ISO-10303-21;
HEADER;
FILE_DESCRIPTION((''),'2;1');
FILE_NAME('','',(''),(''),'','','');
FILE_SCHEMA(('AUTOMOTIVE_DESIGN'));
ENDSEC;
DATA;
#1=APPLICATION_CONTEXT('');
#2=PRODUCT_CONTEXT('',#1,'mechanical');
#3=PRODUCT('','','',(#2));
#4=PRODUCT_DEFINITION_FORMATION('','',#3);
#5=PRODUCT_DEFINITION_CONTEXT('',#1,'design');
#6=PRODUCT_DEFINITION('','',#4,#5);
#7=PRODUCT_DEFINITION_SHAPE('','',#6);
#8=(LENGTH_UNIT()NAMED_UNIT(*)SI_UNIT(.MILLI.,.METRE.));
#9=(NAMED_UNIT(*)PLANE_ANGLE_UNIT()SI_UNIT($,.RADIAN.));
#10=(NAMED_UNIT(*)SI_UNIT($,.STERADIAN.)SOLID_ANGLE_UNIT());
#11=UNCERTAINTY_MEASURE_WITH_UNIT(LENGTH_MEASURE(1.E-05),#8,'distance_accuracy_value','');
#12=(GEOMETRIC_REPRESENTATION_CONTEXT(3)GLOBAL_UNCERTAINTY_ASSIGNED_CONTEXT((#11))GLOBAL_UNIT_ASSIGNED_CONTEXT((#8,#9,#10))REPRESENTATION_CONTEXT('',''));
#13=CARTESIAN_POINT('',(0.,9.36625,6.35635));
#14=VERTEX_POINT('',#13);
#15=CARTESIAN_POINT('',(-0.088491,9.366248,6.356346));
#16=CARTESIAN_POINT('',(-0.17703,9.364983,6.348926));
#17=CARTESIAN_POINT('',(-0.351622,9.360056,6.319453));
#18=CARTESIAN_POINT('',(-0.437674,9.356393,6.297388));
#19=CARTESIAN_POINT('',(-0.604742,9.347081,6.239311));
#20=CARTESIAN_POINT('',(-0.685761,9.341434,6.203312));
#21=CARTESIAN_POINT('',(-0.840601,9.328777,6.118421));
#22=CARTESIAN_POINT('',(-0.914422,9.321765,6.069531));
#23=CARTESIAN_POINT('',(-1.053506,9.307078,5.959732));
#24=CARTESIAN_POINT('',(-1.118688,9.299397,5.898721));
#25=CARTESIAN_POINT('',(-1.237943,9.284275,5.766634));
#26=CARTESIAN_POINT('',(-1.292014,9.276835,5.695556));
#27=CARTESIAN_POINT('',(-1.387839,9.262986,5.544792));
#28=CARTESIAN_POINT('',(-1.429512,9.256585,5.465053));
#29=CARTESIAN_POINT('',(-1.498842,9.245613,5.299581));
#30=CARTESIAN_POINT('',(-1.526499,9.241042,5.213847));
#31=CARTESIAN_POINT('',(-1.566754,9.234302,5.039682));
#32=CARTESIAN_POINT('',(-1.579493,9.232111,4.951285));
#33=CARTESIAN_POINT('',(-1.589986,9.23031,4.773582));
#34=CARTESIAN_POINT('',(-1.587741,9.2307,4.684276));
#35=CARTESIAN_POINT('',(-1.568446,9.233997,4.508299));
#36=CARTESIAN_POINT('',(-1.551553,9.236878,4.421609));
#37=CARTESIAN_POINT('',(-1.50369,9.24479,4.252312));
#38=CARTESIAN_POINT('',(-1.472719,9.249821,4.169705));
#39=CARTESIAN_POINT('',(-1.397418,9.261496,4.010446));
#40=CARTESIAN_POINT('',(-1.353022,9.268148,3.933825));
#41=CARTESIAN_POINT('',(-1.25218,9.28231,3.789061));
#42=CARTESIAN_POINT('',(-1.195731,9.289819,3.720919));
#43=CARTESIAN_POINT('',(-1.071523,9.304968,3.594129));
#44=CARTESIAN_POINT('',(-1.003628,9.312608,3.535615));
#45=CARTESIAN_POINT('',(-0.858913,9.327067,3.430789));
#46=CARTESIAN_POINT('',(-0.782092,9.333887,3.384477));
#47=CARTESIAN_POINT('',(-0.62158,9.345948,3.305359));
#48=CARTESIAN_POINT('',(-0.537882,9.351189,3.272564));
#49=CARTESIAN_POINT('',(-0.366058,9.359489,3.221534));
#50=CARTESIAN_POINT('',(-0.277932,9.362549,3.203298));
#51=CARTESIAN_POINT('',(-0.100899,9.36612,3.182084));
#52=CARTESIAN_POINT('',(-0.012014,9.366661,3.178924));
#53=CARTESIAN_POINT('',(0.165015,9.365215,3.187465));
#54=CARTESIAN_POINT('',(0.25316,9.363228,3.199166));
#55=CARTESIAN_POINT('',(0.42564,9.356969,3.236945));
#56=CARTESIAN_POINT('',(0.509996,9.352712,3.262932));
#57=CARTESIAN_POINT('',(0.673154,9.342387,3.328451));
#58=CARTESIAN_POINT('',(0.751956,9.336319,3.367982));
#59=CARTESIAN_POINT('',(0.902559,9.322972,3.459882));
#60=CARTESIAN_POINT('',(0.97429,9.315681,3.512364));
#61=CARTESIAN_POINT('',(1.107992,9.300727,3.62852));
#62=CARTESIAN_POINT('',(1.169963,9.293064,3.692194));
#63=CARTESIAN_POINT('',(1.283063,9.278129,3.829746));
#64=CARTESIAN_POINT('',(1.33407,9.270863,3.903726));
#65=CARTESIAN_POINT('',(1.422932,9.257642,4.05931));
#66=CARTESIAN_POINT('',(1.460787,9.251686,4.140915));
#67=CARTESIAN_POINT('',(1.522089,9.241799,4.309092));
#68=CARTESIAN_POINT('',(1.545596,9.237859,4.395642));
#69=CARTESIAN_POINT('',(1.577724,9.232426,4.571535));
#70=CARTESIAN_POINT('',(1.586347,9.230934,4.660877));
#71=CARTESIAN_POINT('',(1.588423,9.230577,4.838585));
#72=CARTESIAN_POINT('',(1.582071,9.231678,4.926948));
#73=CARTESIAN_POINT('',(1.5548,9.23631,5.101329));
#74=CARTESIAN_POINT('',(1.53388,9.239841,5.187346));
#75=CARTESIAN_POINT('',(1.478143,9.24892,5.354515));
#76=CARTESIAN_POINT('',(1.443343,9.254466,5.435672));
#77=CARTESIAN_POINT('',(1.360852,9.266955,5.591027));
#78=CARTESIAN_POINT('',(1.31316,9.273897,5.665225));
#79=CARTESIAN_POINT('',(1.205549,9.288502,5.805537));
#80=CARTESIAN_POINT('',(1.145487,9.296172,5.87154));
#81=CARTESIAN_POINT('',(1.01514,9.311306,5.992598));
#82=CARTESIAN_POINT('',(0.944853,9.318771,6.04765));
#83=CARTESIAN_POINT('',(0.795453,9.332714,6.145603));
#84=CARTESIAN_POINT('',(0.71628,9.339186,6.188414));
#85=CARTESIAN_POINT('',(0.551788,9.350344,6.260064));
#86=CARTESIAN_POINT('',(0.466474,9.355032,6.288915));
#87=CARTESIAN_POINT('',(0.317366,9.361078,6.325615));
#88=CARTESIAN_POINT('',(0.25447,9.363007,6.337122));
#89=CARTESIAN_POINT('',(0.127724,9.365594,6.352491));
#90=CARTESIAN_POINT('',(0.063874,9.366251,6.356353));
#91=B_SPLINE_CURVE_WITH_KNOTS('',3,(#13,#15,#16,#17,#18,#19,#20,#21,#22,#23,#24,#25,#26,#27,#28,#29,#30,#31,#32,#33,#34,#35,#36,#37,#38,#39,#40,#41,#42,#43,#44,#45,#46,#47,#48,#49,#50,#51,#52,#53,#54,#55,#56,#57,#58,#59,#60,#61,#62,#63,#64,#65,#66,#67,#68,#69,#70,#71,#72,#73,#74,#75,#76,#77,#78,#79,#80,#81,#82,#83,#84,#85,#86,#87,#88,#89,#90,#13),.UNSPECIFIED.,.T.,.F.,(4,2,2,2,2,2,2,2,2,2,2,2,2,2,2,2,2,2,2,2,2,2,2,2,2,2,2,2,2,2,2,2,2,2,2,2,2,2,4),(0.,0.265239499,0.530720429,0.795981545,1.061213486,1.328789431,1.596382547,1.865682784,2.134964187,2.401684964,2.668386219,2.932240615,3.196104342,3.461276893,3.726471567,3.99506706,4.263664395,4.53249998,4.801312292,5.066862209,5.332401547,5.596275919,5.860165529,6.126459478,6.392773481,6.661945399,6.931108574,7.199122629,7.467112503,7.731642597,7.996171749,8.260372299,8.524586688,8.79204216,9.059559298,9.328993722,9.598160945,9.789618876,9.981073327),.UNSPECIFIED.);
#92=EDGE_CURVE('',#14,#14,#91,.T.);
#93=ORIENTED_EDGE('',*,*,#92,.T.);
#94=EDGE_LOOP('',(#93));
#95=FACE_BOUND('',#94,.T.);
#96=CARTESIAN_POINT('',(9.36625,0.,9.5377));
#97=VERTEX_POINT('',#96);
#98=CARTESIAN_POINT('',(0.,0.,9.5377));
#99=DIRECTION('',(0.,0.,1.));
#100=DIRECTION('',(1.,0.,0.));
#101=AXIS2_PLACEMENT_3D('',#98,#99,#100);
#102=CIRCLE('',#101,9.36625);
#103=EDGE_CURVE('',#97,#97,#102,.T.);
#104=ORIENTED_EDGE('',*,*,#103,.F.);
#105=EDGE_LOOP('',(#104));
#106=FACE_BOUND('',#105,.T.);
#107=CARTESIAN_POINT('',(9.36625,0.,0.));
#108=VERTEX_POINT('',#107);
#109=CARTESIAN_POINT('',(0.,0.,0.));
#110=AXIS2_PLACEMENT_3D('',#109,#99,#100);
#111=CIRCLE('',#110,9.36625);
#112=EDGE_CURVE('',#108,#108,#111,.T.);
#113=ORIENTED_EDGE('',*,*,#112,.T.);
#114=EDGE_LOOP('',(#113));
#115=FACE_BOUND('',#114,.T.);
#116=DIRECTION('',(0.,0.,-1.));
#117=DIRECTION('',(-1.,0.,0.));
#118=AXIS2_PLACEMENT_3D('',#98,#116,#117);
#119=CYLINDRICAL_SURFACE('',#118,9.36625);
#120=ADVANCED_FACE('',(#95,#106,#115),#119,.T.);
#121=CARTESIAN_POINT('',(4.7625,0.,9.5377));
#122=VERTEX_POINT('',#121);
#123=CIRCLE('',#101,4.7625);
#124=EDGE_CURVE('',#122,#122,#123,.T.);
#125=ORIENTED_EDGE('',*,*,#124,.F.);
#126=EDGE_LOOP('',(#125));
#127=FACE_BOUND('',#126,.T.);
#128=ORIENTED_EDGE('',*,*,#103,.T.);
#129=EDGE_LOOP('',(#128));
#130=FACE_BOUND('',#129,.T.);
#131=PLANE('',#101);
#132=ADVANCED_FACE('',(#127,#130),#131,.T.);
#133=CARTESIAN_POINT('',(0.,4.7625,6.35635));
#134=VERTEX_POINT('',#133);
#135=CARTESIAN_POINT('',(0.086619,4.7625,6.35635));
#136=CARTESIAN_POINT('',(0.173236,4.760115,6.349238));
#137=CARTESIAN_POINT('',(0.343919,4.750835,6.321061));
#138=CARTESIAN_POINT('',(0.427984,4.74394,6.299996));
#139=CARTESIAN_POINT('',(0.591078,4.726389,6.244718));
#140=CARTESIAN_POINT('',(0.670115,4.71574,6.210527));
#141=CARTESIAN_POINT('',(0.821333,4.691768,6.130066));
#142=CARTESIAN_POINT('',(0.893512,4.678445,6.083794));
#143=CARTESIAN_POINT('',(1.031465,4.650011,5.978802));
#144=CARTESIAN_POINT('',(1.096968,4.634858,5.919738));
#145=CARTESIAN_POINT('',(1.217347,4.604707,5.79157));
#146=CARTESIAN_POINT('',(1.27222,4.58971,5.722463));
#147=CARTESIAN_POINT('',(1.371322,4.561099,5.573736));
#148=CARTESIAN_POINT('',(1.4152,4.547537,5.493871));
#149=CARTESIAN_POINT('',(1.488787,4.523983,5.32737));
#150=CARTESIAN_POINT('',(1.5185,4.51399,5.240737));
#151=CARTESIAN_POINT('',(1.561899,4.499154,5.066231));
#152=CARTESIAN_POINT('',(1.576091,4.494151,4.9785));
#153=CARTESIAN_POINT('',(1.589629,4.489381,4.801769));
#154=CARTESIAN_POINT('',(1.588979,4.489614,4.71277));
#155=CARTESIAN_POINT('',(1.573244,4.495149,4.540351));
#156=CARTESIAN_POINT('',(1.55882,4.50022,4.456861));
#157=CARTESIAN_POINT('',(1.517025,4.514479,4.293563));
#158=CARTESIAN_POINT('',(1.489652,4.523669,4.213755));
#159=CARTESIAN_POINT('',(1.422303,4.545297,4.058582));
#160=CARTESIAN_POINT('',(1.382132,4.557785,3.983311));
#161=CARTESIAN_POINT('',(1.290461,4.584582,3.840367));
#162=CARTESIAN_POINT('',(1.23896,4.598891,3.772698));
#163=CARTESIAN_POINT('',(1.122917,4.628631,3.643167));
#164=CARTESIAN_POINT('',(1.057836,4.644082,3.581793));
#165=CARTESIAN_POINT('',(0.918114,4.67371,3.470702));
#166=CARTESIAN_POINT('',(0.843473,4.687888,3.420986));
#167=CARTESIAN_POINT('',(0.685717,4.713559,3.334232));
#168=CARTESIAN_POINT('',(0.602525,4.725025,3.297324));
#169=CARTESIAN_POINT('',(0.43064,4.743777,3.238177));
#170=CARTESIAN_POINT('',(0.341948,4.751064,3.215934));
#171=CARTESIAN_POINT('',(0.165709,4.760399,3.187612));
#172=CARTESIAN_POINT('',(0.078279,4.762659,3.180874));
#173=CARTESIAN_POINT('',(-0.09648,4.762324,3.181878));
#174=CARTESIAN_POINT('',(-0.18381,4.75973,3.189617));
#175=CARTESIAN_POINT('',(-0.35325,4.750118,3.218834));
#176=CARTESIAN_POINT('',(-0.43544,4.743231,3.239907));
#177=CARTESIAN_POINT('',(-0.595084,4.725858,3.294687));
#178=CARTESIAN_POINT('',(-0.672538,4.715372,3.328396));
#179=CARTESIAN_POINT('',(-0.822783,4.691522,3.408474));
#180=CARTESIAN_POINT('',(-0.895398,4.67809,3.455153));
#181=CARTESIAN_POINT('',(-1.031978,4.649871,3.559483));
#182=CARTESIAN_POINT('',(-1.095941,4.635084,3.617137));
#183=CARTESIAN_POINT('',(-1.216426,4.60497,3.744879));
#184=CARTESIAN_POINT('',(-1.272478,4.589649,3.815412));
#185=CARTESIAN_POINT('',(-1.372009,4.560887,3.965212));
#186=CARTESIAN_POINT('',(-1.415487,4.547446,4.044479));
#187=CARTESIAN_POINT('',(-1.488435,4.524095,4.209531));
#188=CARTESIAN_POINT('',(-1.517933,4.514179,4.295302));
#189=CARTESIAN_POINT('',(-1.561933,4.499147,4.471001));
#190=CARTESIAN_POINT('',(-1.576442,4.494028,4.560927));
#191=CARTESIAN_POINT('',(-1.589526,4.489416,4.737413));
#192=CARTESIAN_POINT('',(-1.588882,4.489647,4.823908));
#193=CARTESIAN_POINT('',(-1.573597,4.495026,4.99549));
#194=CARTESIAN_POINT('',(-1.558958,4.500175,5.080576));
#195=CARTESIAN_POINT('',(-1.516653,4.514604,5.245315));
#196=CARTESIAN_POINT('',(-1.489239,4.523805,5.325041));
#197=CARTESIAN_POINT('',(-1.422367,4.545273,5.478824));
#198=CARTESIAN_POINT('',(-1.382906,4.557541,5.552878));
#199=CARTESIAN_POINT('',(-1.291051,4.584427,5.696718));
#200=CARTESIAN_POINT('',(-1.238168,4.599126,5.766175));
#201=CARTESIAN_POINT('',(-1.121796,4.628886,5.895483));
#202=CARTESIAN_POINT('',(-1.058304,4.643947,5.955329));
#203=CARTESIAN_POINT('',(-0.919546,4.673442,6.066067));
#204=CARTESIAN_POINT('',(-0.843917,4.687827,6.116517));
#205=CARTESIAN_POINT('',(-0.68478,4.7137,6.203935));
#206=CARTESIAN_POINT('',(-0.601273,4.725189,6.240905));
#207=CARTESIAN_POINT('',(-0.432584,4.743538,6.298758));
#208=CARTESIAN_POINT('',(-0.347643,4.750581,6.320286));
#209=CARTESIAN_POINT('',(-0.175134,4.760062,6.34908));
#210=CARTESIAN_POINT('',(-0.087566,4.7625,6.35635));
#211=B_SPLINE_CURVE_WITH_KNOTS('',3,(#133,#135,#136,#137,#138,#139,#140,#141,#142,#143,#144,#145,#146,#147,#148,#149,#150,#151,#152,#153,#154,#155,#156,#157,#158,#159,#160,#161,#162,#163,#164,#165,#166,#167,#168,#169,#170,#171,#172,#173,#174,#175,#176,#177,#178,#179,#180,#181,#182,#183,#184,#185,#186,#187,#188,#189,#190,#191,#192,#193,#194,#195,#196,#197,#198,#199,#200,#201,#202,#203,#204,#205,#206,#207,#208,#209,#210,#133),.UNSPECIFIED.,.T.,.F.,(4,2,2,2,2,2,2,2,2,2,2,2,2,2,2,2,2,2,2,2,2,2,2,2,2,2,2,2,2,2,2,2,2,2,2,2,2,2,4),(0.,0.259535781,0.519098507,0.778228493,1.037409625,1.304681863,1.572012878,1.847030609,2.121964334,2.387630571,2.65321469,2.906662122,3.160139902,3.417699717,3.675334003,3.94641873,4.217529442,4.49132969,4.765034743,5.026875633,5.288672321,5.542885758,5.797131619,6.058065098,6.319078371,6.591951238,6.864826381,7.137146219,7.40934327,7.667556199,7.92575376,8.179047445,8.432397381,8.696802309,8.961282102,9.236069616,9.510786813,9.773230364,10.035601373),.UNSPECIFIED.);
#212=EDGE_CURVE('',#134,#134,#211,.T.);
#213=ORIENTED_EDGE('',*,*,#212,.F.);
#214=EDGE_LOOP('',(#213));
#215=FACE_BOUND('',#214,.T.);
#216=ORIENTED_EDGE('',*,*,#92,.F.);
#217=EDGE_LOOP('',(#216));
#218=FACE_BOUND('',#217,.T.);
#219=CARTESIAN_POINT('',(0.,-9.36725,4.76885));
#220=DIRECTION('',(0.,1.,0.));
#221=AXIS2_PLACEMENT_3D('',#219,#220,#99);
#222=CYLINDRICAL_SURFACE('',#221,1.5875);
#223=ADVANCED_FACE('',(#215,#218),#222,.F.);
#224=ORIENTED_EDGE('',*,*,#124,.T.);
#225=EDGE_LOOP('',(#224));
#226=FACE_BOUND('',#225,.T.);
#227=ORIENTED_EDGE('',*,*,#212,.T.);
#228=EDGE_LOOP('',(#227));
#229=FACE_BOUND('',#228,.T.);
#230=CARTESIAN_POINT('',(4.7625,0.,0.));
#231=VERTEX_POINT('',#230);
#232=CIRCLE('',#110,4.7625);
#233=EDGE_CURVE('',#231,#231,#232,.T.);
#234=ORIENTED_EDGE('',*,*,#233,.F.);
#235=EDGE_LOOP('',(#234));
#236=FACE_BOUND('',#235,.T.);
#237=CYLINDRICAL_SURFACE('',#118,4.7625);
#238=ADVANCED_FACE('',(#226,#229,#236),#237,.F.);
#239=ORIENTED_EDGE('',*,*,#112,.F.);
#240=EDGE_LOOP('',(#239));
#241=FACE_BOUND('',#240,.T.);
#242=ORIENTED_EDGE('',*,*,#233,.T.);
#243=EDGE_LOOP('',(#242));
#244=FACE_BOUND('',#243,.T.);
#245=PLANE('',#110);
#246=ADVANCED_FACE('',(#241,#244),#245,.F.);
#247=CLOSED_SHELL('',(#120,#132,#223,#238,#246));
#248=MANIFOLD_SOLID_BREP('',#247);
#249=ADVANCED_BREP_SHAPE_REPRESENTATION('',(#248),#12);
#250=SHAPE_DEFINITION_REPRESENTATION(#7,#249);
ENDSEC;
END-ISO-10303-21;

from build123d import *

# Parameters (mm, degrees)
SKETCH1_R               = 9.36625
SKETCH1_R_2             = 4.7625
BOSS_EXTRUDE1_DEPTH     = 9.5377
CUT_EXTRUDE1_REACH      = 25.013
CUT_EXTRUDE1_END_RADIUS = 4.7625
SKETCH3_R               = 1.5875


with BuildPart() as part:
    # Sketch1 → Boss-Extrude1 (new body)
    with BuildSketch(Plane.XY):
        Circle(SKETCH1_R)
        Circle(SKETCH1_R_2, mode=Mode.SUBTRACT)
    extrude(amount=BOSS_EXTRUDE1_DEPTH)

    # Cut-Extrude1: up to this cylinder (the profile starts outside it)
    cut_extrude1_end = Plane(origin=(0, 0, 4.76885), z_dir=(0, 0, -1)) * Cylinder(CUT_EXTRUDE1_END_RADIUS, 60.551, mode=Mode.PRIVATE)
    # Sketch3 → Cut-Extrude1 (cut, up to the surface)
    with BuildSketch(Plane(origin=(0, 9.36625, 0), x_dir=(1, 0, 0), z_dir=(0, 1, 0)), mode=Mode.PRIVATE) as cut_extrude1_sk1:
        with Locations(Location((0, -4.76885, 0), (0, 0, 270))):
            Circle(SKETCH3_R)
    cut_extrude1_tool1 = extrude(cut_extrude1_sk1.sketch, amount=-CUT_EXTRUDE1_REACH, mode=Mode.PRIVATE) - cut_extrude1_end
    add(cut_extrude1_tool1.solids().sort_by_distance((0, 9.36625, 4.76885))[0], mode=Mode.SUBTRACT)


solid = part.part
